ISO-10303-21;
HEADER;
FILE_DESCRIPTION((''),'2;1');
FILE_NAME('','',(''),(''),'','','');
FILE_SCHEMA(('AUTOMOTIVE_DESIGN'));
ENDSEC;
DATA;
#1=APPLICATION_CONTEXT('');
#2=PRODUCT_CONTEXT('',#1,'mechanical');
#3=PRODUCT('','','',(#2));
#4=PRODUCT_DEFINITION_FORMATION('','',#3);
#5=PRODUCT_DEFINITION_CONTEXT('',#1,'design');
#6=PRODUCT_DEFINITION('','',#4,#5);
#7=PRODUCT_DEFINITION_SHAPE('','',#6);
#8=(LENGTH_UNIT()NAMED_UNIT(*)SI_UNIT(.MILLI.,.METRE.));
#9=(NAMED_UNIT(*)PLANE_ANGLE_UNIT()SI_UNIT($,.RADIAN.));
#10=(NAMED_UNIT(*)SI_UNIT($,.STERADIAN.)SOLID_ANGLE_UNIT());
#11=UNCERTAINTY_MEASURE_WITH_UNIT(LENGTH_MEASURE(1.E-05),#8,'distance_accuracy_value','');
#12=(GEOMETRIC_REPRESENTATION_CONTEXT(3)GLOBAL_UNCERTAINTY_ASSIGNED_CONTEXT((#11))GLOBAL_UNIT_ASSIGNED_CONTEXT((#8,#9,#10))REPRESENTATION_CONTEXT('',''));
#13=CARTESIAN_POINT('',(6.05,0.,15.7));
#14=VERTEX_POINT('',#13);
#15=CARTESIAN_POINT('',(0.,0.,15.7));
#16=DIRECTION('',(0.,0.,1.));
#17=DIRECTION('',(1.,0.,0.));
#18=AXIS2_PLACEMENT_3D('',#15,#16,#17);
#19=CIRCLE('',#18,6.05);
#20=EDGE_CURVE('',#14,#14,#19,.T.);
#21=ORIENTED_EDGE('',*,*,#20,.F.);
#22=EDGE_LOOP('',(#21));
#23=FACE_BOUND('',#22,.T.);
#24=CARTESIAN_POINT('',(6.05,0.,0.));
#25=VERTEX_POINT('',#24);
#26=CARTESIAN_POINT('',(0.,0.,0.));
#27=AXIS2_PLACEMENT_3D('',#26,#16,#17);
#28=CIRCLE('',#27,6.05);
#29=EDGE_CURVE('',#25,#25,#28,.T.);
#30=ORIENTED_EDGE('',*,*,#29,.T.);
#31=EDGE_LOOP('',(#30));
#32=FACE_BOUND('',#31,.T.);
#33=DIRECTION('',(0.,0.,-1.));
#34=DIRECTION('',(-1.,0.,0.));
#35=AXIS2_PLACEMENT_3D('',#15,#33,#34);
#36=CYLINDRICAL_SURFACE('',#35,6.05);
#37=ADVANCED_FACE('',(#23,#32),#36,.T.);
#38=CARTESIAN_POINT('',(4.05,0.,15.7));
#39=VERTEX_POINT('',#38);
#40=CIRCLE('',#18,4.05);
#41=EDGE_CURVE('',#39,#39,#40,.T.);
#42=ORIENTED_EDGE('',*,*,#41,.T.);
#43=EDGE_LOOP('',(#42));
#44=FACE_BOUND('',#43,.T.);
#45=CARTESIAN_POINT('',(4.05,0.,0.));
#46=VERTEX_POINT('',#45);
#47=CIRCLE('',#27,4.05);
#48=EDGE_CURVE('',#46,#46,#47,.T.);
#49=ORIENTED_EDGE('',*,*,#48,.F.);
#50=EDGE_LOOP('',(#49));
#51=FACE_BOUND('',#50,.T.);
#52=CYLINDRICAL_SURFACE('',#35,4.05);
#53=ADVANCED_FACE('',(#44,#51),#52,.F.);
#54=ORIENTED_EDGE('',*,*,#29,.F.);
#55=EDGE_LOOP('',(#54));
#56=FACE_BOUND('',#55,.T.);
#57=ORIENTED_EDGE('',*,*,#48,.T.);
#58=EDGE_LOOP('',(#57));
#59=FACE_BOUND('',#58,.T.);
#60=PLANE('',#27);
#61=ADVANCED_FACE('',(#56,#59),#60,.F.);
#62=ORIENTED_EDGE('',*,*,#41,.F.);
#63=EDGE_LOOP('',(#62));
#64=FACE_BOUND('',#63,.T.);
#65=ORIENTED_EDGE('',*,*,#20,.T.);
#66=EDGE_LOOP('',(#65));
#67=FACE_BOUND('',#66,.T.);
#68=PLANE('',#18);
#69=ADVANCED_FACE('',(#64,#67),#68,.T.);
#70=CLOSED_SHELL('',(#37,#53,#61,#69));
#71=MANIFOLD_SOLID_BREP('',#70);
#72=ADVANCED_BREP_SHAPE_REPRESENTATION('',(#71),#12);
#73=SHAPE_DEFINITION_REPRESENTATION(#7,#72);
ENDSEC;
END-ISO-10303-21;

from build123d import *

# Parameters (mm, degrees)
CROQUIS1_R              = 6.05
CROQUIS1_R_2            = 4.05
SALIENTE_EXTRUIR1_DEPTH = 15.7


with BuildPart() as part:
    # Croquis1 → Saliente-Extruir1 (new body)
    with BuildSketch(Plane.XY):
        Circle(CROQUIS1_R)
        Circle(CROQUIS1_R_2, mode=Mode.SUBTRACT)
    extrude(amount=SALIENTE_EXTRUIR1_DEPTH)


solid = part.part
